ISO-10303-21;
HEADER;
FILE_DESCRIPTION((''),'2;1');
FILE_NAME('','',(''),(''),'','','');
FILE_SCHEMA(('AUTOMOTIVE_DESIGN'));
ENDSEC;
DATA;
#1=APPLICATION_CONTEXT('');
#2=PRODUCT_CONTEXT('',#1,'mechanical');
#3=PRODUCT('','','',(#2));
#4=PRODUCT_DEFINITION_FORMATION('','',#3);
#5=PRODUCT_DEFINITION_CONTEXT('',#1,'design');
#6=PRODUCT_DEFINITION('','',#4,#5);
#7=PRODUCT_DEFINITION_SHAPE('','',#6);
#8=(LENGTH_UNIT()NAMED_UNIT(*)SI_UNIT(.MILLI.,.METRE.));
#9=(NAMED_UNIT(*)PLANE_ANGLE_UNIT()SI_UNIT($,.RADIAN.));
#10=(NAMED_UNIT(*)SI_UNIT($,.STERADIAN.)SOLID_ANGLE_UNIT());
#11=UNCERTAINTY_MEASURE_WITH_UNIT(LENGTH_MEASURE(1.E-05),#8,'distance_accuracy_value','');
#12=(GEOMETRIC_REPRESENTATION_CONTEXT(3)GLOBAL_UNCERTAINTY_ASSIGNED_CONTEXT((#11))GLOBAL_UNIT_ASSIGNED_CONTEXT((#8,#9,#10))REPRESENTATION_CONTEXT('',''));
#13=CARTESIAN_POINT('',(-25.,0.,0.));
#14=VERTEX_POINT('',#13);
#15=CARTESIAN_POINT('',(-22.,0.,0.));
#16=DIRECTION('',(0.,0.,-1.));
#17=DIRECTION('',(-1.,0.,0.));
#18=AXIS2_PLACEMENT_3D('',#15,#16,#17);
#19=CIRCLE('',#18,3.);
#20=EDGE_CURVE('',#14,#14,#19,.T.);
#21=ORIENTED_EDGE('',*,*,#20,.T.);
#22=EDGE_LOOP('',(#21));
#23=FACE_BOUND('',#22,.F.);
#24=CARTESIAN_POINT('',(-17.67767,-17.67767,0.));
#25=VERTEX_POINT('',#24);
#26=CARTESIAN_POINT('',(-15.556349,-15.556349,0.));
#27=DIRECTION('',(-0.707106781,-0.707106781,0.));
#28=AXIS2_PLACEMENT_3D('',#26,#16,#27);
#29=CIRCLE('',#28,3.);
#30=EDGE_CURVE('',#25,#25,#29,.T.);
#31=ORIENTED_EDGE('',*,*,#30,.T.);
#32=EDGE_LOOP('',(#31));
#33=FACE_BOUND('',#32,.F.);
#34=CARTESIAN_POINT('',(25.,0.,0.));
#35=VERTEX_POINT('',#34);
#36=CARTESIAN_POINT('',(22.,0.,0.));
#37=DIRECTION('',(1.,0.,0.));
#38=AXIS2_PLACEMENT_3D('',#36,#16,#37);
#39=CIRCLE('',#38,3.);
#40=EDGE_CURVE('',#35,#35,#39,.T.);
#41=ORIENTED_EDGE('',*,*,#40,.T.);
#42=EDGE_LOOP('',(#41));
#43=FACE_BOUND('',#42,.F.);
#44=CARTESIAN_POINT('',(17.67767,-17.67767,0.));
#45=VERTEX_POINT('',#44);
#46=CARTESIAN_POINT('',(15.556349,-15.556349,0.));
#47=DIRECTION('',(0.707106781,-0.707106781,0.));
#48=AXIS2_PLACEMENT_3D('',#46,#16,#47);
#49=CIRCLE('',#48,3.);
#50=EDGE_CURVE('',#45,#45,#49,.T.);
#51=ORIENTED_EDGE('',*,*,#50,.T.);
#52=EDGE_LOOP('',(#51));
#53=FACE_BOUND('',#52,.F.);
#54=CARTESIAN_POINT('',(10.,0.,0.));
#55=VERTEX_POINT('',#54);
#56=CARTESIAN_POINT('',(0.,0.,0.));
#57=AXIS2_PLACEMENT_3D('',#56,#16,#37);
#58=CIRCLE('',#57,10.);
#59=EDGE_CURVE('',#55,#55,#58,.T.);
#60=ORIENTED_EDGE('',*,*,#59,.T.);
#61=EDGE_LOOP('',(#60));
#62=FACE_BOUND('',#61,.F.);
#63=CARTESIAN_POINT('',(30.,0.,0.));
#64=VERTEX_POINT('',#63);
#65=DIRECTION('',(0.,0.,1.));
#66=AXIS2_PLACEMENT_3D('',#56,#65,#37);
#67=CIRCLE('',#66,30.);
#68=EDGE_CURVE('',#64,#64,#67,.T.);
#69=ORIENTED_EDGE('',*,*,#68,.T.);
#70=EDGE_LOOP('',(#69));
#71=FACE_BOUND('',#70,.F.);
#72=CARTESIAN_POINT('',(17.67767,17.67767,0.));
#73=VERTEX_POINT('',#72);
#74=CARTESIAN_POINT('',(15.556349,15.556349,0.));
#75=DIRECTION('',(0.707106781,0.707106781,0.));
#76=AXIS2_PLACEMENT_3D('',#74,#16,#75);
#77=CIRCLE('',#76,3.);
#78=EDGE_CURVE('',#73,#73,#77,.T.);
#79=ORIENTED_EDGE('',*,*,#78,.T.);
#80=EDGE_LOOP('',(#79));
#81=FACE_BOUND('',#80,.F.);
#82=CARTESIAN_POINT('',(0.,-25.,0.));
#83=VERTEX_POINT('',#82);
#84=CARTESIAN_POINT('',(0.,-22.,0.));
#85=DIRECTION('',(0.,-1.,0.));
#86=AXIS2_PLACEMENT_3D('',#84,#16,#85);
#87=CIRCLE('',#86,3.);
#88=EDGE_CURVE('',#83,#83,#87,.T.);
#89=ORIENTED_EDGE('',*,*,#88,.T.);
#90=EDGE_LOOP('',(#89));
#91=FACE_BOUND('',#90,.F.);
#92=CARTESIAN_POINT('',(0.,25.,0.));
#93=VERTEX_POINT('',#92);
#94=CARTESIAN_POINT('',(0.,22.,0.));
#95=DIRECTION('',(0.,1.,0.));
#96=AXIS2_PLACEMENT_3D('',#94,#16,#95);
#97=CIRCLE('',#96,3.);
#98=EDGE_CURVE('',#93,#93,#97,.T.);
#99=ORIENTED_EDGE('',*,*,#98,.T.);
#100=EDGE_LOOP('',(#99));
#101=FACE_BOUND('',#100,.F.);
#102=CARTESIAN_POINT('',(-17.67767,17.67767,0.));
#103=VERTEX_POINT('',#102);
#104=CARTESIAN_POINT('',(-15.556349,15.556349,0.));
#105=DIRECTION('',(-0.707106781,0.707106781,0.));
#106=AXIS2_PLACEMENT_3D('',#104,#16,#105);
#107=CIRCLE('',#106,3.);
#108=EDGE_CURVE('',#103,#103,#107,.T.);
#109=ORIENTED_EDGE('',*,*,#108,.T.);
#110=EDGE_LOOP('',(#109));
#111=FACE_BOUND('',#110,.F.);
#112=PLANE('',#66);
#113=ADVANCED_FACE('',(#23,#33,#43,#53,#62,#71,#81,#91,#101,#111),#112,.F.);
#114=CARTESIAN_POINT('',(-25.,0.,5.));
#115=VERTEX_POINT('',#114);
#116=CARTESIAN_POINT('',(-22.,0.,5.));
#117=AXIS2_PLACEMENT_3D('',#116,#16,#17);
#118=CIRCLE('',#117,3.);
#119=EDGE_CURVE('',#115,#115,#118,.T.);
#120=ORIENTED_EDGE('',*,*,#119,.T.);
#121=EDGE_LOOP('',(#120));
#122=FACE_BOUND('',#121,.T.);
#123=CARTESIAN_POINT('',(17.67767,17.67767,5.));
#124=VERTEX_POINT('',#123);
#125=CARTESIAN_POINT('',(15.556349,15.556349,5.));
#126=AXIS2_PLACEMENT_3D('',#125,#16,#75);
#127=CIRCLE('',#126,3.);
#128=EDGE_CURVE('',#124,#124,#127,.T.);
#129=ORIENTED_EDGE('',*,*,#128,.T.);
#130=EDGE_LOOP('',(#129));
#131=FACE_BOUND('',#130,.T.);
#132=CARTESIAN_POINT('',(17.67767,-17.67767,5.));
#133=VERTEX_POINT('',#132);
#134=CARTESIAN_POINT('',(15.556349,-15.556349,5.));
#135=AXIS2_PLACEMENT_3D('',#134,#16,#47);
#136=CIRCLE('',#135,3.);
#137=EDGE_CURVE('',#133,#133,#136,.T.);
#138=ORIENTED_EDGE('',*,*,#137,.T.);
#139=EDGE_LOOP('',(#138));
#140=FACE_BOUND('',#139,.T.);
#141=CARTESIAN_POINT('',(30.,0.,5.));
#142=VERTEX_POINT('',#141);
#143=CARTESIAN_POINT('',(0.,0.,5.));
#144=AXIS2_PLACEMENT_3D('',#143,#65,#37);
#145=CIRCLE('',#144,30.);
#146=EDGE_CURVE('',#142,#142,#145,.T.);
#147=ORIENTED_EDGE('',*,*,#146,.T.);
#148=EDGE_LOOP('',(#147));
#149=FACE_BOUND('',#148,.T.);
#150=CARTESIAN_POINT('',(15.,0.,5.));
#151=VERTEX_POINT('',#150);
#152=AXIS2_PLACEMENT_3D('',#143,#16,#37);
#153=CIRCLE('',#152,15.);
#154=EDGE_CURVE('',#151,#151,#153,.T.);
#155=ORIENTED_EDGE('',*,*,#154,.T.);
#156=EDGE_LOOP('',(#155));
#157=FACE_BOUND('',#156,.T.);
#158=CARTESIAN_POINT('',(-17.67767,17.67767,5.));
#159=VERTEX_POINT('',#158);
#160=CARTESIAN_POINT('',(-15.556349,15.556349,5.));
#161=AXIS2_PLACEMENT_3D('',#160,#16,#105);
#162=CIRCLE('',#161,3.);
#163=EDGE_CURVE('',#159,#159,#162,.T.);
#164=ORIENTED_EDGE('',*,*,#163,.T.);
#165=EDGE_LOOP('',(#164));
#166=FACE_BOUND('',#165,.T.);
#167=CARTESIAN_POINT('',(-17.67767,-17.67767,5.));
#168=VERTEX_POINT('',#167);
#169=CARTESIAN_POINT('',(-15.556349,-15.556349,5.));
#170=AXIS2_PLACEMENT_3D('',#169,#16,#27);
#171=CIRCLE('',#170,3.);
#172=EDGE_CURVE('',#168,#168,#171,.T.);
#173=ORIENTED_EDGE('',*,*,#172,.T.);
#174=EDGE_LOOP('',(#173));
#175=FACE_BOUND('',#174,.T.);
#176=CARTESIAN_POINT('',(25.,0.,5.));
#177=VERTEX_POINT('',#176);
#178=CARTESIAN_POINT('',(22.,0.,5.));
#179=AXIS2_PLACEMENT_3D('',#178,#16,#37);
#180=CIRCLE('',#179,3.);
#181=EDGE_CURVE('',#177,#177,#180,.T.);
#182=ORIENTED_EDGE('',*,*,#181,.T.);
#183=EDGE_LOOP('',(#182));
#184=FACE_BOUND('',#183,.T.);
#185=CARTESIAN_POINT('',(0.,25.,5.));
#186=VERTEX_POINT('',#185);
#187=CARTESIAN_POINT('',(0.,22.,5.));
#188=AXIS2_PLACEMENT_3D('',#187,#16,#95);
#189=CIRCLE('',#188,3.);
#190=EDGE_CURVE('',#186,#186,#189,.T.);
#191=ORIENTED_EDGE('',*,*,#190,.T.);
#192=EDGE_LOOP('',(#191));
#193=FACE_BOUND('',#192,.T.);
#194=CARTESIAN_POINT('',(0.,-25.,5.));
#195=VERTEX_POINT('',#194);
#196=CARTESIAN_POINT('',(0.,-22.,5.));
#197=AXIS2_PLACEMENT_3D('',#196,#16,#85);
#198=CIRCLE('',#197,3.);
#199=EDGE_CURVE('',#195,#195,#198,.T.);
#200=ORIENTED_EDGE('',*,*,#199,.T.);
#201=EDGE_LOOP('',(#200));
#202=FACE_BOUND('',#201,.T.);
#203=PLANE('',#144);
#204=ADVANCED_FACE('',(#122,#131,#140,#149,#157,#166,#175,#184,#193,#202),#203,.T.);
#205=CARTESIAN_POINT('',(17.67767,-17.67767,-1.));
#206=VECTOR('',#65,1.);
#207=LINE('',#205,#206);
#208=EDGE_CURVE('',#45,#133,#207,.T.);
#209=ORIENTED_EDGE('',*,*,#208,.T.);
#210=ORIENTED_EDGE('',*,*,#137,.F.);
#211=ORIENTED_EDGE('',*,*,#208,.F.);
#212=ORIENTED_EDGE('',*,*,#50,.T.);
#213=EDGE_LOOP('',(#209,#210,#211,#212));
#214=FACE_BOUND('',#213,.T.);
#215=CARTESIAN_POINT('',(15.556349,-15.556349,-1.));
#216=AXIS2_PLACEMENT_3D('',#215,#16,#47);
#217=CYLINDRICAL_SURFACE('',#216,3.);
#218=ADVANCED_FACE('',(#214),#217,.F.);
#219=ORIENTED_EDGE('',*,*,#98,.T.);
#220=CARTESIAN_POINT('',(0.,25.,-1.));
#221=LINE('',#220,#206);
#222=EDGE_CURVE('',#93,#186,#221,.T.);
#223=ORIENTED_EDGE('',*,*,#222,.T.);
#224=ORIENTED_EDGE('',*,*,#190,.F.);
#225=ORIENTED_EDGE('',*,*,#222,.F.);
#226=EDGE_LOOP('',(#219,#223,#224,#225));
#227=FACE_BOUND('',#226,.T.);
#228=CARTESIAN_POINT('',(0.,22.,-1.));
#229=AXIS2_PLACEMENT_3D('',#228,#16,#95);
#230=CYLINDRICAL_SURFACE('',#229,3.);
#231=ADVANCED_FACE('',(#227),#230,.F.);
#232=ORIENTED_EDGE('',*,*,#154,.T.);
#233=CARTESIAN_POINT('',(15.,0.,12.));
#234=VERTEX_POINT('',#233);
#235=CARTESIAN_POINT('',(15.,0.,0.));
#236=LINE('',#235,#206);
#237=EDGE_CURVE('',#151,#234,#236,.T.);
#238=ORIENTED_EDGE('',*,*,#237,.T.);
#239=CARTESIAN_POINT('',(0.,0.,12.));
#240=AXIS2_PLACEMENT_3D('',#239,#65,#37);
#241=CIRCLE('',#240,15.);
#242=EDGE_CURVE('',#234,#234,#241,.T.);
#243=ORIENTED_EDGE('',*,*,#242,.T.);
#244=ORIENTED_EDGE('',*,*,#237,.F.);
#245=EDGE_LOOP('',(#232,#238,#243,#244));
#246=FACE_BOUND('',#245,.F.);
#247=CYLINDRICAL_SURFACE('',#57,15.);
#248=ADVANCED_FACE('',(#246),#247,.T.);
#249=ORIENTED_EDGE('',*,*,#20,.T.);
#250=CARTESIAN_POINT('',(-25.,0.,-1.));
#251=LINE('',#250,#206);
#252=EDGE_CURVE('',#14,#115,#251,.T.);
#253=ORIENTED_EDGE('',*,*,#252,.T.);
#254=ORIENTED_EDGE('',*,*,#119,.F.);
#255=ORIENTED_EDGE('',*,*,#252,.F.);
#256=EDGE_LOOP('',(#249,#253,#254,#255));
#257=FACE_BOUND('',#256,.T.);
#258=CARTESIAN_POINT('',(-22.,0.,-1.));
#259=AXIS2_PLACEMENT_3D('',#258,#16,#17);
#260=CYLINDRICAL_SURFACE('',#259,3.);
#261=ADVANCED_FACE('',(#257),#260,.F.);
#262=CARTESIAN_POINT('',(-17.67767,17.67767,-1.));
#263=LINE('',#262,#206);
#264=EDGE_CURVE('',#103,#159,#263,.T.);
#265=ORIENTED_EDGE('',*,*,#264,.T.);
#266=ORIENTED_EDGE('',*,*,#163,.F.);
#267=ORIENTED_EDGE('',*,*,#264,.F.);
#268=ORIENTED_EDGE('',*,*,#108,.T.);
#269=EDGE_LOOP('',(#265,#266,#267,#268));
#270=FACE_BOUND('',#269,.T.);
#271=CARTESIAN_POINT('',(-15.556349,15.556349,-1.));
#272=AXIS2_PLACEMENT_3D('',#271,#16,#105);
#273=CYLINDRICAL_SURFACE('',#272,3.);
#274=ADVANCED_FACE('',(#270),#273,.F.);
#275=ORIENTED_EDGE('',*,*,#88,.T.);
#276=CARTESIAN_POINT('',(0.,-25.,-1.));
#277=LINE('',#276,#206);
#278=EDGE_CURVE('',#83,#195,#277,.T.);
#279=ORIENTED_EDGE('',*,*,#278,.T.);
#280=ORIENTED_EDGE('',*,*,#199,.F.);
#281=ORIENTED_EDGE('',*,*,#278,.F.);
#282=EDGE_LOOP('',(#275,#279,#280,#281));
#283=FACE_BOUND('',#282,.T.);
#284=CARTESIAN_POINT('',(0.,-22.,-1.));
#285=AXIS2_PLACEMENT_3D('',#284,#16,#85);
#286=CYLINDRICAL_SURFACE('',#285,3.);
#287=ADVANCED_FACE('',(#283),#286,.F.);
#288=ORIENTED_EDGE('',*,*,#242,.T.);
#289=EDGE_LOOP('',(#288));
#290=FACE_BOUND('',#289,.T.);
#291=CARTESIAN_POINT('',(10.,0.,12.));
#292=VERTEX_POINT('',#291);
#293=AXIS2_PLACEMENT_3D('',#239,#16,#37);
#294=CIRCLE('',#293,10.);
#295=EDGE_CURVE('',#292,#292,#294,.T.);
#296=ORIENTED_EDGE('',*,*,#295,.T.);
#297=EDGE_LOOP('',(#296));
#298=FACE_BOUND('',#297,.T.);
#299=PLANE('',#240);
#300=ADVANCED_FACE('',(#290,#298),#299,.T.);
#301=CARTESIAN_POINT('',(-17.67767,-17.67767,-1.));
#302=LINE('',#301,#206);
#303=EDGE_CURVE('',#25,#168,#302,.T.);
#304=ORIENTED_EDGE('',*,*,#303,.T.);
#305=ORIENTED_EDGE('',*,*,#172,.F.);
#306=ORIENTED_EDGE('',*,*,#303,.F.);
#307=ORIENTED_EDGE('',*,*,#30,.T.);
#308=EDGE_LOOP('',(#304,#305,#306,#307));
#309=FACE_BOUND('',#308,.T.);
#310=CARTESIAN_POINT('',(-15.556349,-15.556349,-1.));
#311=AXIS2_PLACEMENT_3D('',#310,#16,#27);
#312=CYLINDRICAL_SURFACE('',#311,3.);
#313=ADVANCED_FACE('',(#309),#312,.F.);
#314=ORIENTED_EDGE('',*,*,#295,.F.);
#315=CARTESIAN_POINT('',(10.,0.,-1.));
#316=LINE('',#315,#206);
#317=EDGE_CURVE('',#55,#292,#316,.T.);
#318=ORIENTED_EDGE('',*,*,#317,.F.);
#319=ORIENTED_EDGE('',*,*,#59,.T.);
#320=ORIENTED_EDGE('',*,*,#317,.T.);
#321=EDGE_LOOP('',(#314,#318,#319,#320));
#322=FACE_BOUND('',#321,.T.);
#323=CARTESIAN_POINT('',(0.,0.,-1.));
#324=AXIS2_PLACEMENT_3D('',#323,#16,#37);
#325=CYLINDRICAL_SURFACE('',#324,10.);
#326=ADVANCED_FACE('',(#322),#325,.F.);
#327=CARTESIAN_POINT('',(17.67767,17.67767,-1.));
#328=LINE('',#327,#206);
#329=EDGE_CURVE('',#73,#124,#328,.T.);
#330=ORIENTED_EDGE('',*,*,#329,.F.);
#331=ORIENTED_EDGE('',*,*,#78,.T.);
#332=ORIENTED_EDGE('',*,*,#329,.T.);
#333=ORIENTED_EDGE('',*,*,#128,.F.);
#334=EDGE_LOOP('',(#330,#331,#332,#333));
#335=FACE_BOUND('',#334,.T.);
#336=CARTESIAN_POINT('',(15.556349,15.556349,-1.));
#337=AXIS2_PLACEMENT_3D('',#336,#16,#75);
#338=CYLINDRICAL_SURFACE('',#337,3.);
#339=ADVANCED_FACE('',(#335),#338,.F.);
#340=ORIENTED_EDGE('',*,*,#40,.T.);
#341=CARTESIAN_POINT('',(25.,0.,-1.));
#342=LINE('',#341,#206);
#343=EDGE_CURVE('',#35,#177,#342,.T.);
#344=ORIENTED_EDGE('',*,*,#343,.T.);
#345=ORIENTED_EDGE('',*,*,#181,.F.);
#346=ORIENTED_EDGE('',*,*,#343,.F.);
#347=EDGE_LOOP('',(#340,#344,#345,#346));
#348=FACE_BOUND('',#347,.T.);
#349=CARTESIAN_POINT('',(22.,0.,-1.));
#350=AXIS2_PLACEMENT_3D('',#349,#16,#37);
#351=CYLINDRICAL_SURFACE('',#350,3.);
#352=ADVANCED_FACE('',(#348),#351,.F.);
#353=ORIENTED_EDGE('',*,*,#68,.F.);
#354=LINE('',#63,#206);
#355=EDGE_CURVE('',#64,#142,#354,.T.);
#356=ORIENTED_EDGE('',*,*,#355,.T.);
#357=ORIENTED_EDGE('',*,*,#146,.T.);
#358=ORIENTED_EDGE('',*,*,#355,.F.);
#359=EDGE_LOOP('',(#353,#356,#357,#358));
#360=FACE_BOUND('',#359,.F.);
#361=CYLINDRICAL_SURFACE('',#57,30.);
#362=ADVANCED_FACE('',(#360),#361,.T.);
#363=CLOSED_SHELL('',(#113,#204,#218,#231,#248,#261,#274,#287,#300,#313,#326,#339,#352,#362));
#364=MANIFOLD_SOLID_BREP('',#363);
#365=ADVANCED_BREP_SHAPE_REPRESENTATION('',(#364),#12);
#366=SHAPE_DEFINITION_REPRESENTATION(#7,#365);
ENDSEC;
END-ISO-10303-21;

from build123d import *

# Parameters (mm, degrees)
CYLINDER003_R     = 3
CYLINDER003_DEPTH = 10
ARRAY001_COUNT    = 8
CYLINDER002_R     = 10
CYLINDER002_DEPTH = 30
CYLINDER001_R     = 15
CYLINDER001_DEPTH = 12
CYLINDER_R        = 30
CYLINDER_DEPTH    = 5


with BuildPart() as forats:
    # Cylinder003 → Cylinder003 (new body)
    with BuildSketch(Plane(origin=(22, 0, -1), x_dir=(1, 0, 0), z_dir=(0, 0, 1))):
        Circle(CYLINDER003_R)
    extrude(amount=CYLINDER003_DEPTH)

    # Array001: forats ×8 about axis
    array001_axis = Axis((0, 0, 1), (0, 0, 1))


with BuildPart() as forats_1:
    add(forats.part)
    for i in range(1, ARRAY001_COUNT):
        add(forats.part.rotate(array001_axis, i * 360 / ARRAY001_COUNT))


with BuildPart() as tub_int:
    # Cylinder002 → Cylinder002 (new body)
    with BuildSketch(Plane.XY.offset(-1)):
        Circle(CYLINDER002_R)
    extrude(amount=CYLINDER002_DEPTH)


with BuildPart() as tub_ext:
    # Cylinder001 → Cylinder001 (new body)
    with BuildSketch(Plane.XY):
        Circle(CYLINDER001_R)
    extrude(amount=CYLINDER001_DEPTH)


with BuildPart() as brida:
    # Cylinder → Cylinder (new body)
    with BuildSketch(Plane.XY):
        Circle(CYLINDER_R)
    extrude(amount=CYLINDER_DEPTH)

    # Fusion: union tub_ext
    add(tub_ext.part)

    # Cut: cut tub_int
    add(tub_int.part, mode=Mode.SUBTRACT)

    # Cut001: cut forats
    add(forats_1.part, mode=Mode.SUBTRACT)


solid = brida.part
